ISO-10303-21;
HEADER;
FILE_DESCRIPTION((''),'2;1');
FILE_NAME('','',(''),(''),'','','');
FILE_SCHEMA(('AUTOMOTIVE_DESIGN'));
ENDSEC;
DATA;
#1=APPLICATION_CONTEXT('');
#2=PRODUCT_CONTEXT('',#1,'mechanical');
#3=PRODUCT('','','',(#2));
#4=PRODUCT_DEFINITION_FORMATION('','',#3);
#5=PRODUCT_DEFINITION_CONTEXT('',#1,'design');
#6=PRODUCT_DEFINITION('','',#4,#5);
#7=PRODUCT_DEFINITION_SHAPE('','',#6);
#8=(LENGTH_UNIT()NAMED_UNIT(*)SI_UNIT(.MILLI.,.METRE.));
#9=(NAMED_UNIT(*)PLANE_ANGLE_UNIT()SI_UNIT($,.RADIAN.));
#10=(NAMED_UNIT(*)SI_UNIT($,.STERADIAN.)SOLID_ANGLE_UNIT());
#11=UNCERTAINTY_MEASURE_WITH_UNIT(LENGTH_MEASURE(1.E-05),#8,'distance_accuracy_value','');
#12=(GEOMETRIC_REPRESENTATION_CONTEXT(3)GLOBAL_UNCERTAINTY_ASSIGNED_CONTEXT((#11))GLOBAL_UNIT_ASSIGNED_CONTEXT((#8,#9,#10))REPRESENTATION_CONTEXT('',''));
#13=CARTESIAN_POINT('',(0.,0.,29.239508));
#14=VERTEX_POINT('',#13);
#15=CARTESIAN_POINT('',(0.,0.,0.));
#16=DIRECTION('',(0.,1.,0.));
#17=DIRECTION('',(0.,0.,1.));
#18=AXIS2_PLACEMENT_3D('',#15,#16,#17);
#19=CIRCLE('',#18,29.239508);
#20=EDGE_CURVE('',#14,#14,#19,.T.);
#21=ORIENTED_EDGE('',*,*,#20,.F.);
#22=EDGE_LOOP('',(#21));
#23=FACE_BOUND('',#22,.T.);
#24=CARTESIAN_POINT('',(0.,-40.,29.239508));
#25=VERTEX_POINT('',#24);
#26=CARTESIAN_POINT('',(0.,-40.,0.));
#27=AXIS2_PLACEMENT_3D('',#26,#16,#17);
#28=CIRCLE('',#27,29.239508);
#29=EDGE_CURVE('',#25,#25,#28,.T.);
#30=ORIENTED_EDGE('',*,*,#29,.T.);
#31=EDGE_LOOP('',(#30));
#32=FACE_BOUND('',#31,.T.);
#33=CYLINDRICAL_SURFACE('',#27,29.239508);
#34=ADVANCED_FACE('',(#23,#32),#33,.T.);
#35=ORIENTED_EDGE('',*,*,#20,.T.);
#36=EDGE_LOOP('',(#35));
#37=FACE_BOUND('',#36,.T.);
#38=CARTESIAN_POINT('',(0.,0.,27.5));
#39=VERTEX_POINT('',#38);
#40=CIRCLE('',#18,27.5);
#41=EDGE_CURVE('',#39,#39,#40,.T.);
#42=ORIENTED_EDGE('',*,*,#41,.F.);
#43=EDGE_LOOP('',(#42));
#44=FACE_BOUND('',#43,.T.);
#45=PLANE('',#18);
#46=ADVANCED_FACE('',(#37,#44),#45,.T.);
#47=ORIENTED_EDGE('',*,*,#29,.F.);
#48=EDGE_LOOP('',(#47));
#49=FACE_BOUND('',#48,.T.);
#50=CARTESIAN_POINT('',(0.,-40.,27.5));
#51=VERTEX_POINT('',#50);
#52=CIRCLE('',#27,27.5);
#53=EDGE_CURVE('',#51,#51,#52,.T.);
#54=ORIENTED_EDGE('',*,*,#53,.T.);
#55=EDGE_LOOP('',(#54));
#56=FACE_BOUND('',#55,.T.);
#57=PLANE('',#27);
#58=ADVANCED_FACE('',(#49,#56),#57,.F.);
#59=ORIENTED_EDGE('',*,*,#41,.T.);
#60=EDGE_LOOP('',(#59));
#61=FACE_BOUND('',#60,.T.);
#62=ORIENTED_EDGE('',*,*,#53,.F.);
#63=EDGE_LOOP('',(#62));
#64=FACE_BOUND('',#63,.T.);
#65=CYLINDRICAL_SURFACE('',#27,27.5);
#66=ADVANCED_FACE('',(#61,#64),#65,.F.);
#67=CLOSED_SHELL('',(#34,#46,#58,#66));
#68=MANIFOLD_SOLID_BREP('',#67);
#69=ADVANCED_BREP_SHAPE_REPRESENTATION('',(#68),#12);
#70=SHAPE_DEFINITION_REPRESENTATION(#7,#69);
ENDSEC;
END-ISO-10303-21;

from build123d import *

# Parameters (mm, degrees)
SKETCH7_R           = 29.239508
SKETCH7_R_2         = 27.5
BOSS_EXTRUDE1_DEPTH = 40


with BuildPart() as part:
    # Sketch7 → Boss-Extrude1 (new body)
    with BuildSketch(Plane(origin=(0, 0, 0), x_dir=(1, 0, 0), z_dir=(0, 1, 0))):
        Circle(SKETCH7_R)
        Circle(SKETCH7_R_2, mode=Mode.SUBTRACT)
    extrude(amount=-BOSS_EXTRUDE1_DEPTH)


solid = part.part
